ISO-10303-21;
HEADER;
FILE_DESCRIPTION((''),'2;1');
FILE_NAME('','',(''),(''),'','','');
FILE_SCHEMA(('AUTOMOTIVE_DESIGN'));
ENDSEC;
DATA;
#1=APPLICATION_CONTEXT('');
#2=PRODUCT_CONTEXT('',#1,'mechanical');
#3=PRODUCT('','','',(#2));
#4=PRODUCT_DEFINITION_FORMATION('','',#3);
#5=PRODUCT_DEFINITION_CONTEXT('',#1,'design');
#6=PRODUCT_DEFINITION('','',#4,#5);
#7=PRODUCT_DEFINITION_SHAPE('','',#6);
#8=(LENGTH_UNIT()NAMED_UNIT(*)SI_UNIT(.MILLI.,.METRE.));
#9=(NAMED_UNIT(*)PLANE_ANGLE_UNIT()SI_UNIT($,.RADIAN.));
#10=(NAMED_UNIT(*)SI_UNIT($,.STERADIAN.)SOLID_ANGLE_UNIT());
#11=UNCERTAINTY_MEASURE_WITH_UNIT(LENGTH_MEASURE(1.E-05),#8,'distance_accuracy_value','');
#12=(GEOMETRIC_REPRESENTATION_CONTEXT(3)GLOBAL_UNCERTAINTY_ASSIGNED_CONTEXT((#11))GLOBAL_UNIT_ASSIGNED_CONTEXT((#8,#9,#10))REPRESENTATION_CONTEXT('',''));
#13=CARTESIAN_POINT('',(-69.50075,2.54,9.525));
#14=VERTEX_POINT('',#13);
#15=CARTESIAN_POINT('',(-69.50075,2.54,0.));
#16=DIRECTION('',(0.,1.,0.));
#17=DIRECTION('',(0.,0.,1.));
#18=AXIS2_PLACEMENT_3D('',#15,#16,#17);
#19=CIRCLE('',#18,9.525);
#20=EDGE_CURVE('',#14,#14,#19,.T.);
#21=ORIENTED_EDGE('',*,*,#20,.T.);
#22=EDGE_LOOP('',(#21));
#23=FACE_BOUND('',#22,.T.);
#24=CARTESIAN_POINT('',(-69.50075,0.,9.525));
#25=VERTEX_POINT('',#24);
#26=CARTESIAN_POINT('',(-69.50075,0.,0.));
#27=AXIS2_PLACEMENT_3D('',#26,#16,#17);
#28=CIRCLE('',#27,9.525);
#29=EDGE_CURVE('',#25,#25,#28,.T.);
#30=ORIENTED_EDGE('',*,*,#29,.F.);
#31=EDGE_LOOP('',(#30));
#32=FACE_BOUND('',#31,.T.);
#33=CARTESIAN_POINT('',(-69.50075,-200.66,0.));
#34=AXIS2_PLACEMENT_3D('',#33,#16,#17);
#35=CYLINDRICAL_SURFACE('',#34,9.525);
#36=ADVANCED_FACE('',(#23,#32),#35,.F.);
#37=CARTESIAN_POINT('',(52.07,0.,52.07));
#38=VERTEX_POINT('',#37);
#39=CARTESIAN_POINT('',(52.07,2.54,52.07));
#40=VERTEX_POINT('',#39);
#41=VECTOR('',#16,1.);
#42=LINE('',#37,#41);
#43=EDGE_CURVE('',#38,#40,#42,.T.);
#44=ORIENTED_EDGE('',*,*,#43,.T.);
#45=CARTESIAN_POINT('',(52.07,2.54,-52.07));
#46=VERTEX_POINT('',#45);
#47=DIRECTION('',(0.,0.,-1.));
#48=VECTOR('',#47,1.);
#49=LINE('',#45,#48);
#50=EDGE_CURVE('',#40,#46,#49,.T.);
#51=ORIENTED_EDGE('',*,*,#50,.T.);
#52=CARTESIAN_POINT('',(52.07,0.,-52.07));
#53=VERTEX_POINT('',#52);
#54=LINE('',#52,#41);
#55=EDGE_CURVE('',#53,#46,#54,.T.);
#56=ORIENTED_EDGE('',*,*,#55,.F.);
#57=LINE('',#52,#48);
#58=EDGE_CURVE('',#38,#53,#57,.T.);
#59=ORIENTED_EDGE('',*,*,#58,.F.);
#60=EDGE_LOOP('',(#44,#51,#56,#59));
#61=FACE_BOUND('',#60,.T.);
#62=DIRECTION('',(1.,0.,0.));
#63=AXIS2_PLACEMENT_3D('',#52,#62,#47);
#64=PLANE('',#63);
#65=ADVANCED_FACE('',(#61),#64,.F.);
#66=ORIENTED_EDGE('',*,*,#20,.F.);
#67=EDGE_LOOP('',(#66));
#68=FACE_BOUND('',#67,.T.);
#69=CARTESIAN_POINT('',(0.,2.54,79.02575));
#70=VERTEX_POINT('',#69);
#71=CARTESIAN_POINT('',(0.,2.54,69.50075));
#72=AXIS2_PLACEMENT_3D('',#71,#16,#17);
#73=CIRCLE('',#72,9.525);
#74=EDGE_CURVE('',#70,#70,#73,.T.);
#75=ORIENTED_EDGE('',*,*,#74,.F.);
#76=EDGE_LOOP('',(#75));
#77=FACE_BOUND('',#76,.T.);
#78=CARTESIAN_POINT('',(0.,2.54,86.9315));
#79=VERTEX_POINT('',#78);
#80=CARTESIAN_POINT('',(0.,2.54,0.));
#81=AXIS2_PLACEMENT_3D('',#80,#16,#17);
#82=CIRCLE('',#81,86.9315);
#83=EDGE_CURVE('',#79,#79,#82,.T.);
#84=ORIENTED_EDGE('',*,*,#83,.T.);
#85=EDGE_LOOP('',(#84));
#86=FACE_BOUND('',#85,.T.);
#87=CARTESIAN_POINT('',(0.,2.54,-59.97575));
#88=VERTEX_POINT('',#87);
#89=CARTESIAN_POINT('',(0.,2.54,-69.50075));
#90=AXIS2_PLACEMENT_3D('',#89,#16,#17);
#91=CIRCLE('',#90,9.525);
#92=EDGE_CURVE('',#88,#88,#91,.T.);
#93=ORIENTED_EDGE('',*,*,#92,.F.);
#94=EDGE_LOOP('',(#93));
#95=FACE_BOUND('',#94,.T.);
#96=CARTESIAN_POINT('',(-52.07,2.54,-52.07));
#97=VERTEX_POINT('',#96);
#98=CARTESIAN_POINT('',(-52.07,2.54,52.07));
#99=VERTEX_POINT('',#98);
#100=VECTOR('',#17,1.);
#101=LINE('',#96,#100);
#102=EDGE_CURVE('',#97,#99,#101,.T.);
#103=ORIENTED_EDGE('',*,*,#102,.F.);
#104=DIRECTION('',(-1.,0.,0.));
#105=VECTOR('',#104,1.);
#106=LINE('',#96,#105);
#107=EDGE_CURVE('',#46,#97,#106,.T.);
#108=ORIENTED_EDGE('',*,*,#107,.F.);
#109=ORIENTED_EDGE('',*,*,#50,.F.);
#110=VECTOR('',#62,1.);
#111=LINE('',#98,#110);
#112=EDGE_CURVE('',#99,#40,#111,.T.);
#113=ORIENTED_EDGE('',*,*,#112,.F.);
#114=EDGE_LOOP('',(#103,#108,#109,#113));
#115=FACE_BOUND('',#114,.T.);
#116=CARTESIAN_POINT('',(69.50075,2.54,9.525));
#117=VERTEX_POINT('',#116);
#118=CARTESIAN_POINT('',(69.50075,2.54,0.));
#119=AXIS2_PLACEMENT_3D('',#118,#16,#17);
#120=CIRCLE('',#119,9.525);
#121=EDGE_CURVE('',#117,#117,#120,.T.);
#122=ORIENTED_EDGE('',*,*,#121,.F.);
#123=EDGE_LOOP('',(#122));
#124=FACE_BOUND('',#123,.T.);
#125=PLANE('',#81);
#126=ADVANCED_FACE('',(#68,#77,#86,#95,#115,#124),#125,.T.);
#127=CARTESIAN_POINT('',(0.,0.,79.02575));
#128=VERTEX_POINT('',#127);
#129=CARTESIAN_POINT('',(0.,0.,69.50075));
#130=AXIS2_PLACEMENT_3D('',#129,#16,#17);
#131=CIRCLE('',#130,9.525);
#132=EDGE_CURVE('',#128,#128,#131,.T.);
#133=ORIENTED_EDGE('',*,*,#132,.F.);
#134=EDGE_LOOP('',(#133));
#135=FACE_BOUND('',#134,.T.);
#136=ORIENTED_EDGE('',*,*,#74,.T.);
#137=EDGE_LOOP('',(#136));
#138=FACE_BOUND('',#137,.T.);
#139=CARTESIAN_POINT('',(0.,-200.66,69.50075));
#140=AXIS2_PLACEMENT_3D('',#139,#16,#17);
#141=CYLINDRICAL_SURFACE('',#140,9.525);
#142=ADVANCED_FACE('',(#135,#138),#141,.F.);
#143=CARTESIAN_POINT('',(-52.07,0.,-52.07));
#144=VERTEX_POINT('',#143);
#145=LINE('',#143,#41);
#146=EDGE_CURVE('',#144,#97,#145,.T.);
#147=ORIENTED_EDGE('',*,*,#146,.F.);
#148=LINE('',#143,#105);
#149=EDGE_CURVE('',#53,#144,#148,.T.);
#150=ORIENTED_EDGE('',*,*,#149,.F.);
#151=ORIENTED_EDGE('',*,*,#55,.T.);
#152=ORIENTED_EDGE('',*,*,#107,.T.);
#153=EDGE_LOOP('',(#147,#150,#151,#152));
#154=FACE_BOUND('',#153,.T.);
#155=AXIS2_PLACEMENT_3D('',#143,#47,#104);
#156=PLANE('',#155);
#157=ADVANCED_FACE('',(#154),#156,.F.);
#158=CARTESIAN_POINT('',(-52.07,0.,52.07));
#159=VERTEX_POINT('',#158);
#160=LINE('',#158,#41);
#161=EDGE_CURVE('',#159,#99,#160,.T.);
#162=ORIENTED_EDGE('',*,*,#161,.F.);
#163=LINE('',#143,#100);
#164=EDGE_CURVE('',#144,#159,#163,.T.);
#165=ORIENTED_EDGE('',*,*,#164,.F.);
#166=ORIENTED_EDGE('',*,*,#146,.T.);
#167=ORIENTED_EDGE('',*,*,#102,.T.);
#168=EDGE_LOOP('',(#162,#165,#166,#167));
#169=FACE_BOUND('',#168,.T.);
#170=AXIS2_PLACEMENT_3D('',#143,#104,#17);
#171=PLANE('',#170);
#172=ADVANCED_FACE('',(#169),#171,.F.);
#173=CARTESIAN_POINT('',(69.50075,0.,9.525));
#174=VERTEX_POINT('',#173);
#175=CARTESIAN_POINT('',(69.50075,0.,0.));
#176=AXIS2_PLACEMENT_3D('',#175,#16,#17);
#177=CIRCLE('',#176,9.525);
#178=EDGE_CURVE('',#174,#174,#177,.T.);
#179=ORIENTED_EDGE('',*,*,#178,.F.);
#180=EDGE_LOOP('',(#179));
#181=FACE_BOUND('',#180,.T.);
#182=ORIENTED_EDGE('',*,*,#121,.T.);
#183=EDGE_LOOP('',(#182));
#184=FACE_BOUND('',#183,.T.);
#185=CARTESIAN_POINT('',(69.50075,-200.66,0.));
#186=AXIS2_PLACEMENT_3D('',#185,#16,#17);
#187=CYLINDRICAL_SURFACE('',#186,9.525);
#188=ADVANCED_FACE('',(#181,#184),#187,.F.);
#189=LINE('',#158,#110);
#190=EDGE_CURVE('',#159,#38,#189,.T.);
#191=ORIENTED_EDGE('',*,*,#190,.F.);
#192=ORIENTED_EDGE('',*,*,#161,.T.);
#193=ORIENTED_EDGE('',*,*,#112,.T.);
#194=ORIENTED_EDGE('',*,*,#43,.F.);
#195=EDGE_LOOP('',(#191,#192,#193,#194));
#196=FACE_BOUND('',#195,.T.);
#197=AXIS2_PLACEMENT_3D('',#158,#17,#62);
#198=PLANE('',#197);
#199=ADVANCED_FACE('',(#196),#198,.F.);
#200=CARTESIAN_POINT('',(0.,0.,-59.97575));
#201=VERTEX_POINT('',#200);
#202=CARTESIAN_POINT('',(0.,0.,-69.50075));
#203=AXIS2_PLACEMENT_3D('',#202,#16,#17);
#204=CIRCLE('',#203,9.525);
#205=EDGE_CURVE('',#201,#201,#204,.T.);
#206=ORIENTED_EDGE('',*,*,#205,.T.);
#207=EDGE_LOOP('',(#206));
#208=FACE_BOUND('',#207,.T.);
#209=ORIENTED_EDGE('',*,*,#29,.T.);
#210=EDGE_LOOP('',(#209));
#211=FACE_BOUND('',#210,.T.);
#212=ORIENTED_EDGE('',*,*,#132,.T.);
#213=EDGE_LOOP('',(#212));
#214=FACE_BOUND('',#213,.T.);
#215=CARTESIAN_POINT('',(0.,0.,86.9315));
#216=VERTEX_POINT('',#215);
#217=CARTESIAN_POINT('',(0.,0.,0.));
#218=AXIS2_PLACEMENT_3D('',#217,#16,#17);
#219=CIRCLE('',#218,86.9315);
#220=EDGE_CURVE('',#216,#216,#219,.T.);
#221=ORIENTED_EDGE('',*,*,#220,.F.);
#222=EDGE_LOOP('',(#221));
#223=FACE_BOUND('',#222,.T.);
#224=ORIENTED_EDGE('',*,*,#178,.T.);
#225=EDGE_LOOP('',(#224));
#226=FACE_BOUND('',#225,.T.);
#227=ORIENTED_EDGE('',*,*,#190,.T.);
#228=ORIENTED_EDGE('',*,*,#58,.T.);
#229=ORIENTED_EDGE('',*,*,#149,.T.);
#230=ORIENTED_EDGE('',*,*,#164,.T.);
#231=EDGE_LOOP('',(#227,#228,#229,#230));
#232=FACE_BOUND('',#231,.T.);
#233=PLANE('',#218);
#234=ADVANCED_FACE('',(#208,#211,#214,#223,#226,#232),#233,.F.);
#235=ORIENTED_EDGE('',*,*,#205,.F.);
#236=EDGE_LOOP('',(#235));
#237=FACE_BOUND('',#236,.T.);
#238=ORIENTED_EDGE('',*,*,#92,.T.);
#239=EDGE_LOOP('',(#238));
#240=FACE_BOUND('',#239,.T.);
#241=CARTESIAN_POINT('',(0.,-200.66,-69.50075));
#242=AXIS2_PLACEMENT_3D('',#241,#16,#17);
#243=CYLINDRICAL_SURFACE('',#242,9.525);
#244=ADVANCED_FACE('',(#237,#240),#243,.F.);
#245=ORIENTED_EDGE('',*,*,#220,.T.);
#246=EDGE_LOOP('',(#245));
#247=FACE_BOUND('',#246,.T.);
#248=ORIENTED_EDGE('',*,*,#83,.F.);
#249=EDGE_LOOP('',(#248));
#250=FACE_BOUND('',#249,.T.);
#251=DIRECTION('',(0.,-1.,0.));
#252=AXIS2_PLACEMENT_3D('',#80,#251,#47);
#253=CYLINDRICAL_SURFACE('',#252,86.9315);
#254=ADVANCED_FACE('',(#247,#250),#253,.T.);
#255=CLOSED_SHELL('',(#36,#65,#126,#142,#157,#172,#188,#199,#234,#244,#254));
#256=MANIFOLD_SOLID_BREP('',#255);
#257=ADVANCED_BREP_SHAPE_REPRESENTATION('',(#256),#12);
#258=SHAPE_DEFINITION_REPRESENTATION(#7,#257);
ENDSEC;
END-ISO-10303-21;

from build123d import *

# Parameters (mm, degrees)
SKETCH1_R           = 86.9315
BOSS_EXTRUDE1_DEPTH = 2.54
SKETCH2_W           = 104.14
SKETCH2_H           = 104.14
CUT_EXTRUDE1_DEPTH  = 2.54
SKETCH3_R           = 9.525
SKETCH3_W           = 104.14
SKETCH3_H           = 104.14
CUT_EXTRUDE3_DEPTH  = 203.2


with BuildPart() as part:
    # Sketch1 → Boss-Extrude1 (new body)
    with BuildSketch(Plane(origin=(0, 0, 0), x_dir=(1, 0, 0), z_dir=(0, 1, 0))):
        with Locations(Location((0, 0, 0), (0, 0, 270))):
            Circle(SKETCH1_R)
    extrude(amount=BOSS_EXTRUDE1_DEPTH)

    # Sketch2 → Cut-Extrude1 (cut)
    with BuildSketch(Plane(origin=(0, 2.54, 0), x_dir=(1, 0, 0), z_dir=(0, 1, 0))):
        Rectangle(SKETCH2_W, SKETCH2_H)
    extrude(amount=-CUT_EXTRUDE1_DEPTH, mode=Mode.SUBTRACT)

    # Sketch3 → Cut-Extrude3 (cut)
    with BuildSketch(Plane(origin=(0, 2.54, 0), x_dir=(1, 0, 0), z_dir=(0, 1, 0))):
        with Locations(Location((0, 69.50075, 0), (0, 0, 270))):
            Circle(SKETCH3_R)
        with Locations(Location((69.50075, 0, 0), (0, 0, 270))):
            Circle(SKETCH3_R)
        with Locations(Location((0, -69.50075, 0), (0, 0, 270))):
            Circle(SKETCH3_R)
        with Locations(Location((-69.50075, 0, 0), (0, 0, 270))):
            Circle(SKETCH3_R)
        Rectangle(SKETCH3_W, SKETCH3_H)
    extrude(amount=-CUT_EXTRUDE3_DEPTH, mode=Mode.SUBTRACT)


solid = part.part
